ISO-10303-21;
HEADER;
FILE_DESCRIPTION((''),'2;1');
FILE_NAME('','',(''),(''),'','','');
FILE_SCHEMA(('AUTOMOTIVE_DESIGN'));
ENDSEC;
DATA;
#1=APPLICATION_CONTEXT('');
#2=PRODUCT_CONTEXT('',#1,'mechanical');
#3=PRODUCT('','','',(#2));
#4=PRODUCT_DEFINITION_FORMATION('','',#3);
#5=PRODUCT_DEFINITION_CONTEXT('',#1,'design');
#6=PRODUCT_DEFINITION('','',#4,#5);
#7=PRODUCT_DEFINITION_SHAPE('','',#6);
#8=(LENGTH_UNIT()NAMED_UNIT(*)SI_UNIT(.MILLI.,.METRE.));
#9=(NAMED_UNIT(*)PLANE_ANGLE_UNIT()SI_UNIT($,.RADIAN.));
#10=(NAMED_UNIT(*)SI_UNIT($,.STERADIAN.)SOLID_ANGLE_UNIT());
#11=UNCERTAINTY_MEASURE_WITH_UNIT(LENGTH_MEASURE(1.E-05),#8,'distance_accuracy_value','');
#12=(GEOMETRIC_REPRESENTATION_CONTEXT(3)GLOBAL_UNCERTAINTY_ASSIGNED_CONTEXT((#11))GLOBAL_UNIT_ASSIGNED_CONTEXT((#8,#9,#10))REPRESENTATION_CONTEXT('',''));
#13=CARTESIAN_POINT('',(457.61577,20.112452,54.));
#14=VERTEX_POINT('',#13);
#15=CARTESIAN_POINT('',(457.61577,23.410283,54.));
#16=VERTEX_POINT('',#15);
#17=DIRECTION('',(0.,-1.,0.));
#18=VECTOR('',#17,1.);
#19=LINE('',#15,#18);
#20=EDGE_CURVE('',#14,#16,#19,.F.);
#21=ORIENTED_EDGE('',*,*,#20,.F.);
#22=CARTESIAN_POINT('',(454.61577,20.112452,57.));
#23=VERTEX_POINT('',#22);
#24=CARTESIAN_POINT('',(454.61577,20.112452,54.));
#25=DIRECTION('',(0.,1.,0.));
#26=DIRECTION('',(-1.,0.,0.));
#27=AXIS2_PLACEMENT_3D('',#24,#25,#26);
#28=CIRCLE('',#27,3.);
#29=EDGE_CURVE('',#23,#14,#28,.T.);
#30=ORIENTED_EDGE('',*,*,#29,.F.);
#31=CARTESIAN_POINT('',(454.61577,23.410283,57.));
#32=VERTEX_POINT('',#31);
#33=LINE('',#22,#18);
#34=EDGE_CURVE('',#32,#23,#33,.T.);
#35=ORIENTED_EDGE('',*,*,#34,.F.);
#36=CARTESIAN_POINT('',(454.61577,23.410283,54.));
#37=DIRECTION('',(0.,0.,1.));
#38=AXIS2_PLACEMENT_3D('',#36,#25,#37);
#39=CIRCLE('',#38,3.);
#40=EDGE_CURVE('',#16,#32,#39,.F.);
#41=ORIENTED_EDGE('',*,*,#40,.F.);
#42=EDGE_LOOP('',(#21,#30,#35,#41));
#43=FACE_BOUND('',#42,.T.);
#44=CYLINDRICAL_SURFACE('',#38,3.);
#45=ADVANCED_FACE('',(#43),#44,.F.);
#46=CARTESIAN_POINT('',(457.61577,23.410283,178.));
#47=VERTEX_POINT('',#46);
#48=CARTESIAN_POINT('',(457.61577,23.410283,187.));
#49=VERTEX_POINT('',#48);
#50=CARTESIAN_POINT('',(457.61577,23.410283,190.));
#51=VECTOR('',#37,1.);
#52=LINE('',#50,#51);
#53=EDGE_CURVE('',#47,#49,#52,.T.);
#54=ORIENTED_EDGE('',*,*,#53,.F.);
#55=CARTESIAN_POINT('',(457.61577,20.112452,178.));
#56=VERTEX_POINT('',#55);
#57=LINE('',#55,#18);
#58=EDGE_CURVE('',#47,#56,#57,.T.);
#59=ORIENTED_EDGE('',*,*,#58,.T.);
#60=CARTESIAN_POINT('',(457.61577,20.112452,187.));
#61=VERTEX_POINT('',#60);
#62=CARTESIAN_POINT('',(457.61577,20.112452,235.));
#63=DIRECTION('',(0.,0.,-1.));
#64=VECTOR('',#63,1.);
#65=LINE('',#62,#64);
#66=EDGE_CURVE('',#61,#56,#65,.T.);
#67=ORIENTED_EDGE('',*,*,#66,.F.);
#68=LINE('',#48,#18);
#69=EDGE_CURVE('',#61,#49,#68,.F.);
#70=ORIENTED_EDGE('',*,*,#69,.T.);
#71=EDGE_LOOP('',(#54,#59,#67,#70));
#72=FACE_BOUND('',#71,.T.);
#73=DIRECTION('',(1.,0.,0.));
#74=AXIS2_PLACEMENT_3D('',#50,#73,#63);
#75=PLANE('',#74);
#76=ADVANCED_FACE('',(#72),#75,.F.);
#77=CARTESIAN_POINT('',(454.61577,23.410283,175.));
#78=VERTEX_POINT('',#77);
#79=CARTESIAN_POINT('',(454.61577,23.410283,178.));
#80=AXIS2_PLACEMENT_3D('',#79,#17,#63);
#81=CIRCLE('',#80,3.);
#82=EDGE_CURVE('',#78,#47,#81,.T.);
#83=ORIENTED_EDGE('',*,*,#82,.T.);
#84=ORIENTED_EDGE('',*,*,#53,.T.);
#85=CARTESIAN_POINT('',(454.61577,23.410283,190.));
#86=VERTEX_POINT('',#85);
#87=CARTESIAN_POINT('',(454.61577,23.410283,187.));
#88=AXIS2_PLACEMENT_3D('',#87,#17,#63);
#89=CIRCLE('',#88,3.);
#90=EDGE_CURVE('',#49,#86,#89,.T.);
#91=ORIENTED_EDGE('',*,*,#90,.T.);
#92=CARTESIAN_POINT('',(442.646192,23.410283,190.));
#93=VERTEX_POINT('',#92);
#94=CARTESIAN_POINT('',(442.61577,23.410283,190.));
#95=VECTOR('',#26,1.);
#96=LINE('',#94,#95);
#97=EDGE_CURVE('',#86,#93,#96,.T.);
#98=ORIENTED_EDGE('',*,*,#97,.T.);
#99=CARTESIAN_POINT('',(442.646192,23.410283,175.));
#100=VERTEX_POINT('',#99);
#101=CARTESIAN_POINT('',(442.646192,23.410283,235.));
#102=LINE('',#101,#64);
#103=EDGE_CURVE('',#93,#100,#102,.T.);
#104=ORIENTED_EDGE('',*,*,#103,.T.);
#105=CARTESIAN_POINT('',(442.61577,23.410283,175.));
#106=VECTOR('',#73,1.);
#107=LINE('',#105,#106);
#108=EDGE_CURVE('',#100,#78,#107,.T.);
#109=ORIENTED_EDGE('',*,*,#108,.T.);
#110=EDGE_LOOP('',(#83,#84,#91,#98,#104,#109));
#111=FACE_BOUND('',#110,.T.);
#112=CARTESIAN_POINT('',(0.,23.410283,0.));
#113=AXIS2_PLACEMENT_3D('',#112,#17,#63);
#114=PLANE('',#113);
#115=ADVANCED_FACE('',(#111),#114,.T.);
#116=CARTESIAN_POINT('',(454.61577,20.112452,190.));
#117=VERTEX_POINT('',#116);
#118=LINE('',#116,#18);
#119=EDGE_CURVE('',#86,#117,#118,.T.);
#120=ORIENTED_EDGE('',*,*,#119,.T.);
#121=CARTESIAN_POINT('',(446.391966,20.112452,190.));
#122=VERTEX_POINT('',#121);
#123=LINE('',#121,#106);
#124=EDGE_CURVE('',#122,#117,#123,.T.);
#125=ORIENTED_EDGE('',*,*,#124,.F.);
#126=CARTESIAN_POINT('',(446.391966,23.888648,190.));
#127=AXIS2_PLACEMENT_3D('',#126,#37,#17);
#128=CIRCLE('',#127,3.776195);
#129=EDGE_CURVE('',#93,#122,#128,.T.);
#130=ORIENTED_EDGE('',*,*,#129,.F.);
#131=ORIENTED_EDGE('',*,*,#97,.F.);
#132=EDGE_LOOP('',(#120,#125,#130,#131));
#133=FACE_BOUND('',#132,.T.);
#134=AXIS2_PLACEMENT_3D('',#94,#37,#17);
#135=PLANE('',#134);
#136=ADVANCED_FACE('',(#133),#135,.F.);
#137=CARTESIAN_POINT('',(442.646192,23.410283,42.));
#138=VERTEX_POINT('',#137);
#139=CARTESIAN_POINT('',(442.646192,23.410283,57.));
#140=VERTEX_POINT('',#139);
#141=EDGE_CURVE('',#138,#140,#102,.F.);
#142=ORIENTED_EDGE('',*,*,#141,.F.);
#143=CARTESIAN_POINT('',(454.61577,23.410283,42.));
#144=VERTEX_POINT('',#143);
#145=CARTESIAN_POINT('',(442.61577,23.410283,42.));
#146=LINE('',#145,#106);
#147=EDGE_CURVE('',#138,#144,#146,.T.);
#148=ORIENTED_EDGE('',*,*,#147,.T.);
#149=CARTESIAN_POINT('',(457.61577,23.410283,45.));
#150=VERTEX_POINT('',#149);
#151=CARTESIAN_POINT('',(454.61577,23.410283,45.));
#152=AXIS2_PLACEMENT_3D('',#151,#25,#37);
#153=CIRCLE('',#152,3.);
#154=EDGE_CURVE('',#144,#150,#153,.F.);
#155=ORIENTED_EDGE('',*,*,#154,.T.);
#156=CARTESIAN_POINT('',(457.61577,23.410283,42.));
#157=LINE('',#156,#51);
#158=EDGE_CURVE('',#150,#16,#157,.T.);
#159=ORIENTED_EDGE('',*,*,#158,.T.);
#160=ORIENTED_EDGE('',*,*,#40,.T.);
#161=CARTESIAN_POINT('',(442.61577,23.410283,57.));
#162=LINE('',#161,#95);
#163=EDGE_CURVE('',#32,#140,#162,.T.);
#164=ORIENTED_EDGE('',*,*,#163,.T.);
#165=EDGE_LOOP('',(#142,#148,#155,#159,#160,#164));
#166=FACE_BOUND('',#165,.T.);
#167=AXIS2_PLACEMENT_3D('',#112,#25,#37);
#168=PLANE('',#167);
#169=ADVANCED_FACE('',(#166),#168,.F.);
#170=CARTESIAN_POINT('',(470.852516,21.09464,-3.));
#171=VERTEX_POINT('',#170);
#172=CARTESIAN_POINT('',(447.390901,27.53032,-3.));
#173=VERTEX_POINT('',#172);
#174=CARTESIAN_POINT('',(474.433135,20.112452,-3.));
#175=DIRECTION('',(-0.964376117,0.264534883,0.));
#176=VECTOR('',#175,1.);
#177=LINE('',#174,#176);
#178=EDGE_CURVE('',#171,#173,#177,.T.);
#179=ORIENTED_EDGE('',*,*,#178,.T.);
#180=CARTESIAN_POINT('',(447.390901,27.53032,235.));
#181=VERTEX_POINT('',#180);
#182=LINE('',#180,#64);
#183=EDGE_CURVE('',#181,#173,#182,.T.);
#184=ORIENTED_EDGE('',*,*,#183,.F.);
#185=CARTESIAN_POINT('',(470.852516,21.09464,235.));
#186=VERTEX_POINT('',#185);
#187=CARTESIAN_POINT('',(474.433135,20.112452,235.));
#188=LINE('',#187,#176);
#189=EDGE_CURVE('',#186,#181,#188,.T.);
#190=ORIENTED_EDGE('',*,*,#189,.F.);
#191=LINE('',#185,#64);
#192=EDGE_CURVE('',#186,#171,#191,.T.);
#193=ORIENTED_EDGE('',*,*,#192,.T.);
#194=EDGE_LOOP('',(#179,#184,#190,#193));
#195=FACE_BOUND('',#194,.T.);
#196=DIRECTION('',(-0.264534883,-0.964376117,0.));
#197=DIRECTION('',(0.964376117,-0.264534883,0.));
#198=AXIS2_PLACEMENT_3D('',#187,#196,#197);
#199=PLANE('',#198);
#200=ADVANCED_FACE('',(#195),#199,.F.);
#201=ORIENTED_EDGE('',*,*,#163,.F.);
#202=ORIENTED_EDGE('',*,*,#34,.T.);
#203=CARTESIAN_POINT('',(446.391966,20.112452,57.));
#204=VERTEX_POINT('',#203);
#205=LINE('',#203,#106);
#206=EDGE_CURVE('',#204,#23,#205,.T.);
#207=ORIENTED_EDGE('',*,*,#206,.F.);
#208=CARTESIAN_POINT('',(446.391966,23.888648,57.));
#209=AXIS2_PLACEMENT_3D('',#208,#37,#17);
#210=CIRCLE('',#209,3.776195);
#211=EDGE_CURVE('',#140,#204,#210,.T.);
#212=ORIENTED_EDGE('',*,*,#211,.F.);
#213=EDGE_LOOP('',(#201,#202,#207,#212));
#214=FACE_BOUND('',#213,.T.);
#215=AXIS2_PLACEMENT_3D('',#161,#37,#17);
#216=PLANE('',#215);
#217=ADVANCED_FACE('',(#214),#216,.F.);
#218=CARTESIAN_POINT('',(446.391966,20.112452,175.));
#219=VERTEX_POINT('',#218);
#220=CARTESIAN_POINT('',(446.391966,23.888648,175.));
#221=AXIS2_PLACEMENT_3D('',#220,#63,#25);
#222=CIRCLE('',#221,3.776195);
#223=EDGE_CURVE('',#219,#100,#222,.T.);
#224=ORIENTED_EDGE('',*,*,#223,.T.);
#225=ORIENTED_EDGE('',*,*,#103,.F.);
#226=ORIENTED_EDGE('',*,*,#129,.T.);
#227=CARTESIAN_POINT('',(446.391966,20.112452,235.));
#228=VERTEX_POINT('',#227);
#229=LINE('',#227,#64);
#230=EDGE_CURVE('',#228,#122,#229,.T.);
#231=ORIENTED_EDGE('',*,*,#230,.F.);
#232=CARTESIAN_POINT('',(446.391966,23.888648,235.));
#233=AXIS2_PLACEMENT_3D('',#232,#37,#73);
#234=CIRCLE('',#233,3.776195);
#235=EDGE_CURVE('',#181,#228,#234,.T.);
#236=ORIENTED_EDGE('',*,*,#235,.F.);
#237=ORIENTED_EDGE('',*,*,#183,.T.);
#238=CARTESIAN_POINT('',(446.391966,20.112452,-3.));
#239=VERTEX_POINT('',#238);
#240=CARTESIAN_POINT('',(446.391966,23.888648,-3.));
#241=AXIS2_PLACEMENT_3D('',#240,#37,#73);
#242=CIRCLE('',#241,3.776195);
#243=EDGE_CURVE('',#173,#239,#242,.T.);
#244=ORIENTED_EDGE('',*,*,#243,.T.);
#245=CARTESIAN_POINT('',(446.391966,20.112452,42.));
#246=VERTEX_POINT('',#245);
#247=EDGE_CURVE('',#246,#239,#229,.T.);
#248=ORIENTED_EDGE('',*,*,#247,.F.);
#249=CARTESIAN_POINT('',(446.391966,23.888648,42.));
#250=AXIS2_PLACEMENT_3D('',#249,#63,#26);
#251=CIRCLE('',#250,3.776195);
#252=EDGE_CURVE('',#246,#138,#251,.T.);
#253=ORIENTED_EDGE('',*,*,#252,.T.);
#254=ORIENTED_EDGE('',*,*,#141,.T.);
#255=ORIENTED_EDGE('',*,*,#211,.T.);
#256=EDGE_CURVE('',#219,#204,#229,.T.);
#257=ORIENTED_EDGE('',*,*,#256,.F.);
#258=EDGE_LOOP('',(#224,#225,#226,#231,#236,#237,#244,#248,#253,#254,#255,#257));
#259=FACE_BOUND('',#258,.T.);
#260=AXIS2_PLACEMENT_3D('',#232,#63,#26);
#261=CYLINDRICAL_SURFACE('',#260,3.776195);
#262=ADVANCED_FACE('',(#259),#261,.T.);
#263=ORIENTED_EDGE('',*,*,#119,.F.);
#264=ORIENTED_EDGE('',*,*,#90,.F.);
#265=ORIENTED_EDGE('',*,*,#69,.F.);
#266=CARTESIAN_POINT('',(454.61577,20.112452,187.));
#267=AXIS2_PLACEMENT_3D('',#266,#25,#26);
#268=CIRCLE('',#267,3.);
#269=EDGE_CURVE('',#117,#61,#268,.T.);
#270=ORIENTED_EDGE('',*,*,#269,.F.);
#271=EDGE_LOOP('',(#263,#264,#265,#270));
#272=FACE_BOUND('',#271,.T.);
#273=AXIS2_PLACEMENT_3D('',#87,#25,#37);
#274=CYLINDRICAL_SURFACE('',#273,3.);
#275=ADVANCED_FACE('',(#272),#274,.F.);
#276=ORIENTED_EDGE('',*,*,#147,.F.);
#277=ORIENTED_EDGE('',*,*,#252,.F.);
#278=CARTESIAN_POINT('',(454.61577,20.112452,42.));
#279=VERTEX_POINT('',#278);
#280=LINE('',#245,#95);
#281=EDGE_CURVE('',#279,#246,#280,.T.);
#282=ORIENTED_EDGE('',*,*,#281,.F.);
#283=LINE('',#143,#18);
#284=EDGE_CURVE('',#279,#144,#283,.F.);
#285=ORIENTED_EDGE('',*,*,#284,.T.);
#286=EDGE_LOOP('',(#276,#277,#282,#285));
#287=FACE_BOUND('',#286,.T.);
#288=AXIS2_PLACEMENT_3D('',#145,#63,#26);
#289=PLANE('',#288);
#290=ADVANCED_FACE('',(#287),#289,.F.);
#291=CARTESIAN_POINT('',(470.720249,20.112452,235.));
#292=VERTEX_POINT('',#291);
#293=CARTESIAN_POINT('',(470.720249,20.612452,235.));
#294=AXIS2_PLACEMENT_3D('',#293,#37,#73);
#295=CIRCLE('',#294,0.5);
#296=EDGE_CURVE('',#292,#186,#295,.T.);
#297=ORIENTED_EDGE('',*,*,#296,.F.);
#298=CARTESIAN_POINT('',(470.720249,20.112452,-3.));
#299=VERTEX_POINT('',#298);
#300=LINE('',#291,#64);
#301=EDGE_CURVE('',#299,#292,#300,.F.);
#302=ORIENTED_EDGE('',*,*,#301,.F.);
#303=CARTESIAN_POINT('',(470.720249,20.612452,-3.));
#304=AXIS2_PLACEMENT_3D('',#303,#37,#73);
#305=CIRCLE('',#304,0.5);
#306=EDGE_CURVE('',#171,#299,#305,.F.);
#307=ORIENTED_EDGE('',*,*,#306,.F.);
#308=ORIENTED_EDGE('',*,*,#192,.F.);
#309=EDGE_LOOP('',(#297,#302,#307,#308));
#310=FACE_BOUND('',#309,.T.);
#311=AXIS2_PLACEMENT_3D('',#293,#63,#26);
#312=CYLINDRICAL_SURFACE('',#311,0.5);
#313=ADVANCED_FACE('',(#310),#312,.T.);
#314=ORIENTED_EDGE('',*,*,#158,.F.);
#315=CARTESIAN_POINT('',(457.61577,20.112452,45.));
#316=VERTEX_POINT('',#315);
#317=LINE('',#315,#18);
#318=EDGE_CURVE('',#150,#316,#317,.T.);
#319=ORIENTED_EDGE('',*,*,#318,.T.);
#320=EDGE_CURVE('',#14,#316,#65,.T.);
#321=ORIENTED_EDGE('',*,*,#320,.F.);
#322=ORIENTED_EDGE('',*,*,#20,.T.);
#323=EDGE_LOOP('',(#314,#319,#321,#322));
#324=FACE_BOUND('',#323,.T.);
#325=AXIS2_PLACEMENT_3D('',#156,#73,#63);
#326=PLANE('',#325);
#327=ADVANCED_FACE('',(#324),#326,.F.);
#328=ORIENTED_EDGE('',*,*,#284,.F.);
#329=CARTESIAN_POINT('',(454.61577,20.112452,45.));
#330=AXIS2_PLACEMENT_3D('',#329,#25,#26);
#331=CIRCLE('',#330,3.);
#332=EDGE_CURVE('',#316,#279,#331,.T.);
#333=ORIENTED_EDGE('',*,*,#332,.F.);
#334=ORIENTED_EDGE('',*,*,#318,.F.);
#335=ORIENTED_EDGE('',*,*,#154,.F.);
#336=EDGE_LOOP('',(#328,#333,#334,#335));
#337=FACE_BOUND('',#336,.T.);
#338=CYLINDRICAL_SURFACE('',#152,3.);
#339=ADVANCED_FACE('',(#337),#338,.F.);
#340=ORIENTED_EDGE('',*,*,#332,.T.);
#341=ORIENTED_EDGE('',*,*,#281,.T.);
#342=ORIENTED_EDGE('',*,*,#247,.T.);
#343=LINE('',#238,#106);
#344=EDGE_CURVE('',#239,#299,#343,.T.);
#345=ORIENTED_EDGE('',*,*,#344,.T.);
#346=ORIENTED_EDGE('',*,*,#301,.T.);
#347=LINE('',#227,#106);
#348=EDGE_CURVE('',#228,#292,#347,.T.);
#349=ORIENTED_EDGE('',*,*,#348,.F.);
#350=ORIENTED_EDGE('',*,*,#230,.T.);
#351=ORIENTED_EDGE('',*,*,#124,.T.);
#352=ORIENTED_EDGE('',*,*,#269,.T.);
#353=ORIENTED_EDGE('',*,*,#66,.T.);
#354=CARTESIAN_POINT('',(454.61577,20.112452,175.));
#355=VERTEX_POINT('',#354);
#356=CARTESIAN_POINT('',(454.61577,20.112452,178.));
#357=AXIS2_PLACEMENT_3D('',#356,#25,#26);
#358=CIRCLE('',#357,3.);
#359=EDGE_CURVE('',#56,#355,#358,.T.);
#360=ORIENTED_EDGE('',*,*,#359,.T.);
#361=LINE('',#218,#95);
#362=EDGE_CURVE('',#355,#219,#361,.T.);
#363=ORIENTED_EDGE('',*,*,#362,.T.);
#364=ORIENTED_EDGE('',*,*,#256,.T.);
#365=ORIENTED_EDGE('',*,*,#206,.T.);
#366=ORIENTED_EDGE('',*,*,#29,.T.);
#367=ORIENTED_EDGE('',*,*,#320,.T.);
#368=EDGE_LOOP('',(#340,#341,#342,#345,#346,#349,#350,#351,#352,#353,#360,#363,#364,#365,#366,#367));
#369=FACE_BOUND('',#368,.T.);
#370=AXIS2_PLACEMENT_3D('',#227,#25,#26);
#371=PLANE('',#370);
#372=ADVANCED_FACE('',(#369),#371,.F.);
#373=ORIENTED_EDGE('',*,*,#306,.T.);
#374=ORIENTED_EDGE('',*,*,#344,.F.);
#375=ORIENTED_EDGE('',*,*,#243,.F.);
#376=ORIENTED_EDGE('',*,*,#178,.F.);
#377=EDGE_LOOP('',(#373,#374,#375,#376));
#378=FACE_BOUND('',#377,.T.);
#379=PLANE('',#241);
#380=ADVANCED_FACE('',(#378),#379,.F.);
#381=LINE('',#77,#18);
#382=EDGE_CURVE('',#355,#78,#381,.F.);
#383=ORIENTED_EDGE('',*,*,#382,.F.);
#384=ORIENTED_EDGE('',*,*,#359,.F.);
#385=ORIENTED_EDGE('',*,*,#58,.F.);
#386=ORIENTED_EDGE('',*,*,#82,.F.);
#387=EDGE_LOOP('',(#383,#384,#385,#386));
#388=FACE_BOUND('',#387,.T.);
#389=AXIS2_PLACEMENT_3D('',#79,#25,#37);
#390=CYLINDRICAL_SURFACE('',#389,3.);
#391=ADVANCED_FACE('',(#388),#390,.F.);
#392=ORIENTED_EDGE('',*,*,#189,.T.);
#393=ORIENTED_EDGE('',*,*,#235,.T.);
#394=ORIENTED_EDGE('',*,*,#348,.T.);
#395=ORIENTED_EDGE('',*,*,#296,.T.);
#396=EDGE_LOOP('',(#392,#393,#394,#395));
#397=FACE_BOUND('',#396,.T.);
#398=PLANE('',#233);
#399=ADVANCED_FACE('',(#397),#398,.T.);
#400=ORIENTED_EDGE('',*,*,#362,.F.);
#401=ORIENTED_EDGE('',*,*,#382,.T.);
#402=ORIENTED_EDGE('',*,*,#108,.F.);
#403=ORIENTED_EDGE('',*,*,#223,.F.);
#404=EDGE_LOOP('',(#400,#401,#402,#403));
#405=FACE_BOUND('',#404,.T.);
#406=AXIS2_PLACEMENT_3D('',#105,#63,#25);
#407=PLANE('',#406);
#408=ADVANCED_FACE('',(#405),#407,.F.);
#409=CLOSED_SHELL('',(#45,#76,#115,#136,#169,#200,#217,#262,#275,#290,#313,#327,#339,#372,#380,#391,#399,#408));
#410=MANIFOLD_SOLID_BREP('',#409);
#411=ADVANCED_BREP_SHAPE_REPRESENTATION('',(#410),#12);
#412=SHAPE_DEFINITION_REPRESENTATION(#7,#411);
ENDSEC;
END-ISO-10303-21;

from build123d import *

# Parameters (mm, degrees)
BOSS_EXTRUDE1_DEPTH = 238
SKETCH3_W           = 15
SKETCH3_H           = 15
CUT_EXTRUDE1_DEPTH  = 54
FILLET1_R           = 0.5
FILLET2_R           = 3


with BuildPart() as part:
    # Sketch2 → Boss-Extrude1 (new body)
    with BuildSketch(Plane.XY.offset(-3)):
        with BuildLine():
            Line((446.391965645, 20.11245238), (474.43313548, 20.11245238))
            Line((474.43313548, 20.11245238), (447.390900992, 27.530319971))
            ThreePointArc((447.390900992, 27.530319971), (442.649552271, 24.39262378), (446.391965645, 20.11245238))
        make_face()
    extrude(amount=BOSS_EXTRUDE1_DEPTH)

    # Sketch3 → Cut-Extrude1 (cut)
    with BuildSketch(Plane.XZ.offset(30.589717262)):
        with Locations((450.115770482, 182.5)):
            Rectangle(SKETCH3_W, SKETCH3_H)
        with Locations((450.115770482, 49.5)):
            Rectangle(SKETCH3_W, SKETCH3_H)
    extrude(amount=-CUT_EXTRUDE1_DEPTH, mode=Mode.SUBTRACT)

    # Fillet1
    fillet1_edges = [part.edges().sort_by_distance(p)[0] for p in [
        (474.43313548, 20.11245238, 116),
    ]]
    fillet(fillet1_edges, radius=FILLET1_R)

    # Fillet2
    fillet2_edges = [part.edges().sort_by_distance(p)[0] for p in [
        (457.615770482, 21.761367559, 190),
        (457.615770482, 21.761367559, 175),
        (457.615770482, 21.761367559, 57),
        (457.615770482, 21.761367559, 42),
    ]]
    fillet(fillet2_edges, radius=FILLET2_R)


solid = part.part
